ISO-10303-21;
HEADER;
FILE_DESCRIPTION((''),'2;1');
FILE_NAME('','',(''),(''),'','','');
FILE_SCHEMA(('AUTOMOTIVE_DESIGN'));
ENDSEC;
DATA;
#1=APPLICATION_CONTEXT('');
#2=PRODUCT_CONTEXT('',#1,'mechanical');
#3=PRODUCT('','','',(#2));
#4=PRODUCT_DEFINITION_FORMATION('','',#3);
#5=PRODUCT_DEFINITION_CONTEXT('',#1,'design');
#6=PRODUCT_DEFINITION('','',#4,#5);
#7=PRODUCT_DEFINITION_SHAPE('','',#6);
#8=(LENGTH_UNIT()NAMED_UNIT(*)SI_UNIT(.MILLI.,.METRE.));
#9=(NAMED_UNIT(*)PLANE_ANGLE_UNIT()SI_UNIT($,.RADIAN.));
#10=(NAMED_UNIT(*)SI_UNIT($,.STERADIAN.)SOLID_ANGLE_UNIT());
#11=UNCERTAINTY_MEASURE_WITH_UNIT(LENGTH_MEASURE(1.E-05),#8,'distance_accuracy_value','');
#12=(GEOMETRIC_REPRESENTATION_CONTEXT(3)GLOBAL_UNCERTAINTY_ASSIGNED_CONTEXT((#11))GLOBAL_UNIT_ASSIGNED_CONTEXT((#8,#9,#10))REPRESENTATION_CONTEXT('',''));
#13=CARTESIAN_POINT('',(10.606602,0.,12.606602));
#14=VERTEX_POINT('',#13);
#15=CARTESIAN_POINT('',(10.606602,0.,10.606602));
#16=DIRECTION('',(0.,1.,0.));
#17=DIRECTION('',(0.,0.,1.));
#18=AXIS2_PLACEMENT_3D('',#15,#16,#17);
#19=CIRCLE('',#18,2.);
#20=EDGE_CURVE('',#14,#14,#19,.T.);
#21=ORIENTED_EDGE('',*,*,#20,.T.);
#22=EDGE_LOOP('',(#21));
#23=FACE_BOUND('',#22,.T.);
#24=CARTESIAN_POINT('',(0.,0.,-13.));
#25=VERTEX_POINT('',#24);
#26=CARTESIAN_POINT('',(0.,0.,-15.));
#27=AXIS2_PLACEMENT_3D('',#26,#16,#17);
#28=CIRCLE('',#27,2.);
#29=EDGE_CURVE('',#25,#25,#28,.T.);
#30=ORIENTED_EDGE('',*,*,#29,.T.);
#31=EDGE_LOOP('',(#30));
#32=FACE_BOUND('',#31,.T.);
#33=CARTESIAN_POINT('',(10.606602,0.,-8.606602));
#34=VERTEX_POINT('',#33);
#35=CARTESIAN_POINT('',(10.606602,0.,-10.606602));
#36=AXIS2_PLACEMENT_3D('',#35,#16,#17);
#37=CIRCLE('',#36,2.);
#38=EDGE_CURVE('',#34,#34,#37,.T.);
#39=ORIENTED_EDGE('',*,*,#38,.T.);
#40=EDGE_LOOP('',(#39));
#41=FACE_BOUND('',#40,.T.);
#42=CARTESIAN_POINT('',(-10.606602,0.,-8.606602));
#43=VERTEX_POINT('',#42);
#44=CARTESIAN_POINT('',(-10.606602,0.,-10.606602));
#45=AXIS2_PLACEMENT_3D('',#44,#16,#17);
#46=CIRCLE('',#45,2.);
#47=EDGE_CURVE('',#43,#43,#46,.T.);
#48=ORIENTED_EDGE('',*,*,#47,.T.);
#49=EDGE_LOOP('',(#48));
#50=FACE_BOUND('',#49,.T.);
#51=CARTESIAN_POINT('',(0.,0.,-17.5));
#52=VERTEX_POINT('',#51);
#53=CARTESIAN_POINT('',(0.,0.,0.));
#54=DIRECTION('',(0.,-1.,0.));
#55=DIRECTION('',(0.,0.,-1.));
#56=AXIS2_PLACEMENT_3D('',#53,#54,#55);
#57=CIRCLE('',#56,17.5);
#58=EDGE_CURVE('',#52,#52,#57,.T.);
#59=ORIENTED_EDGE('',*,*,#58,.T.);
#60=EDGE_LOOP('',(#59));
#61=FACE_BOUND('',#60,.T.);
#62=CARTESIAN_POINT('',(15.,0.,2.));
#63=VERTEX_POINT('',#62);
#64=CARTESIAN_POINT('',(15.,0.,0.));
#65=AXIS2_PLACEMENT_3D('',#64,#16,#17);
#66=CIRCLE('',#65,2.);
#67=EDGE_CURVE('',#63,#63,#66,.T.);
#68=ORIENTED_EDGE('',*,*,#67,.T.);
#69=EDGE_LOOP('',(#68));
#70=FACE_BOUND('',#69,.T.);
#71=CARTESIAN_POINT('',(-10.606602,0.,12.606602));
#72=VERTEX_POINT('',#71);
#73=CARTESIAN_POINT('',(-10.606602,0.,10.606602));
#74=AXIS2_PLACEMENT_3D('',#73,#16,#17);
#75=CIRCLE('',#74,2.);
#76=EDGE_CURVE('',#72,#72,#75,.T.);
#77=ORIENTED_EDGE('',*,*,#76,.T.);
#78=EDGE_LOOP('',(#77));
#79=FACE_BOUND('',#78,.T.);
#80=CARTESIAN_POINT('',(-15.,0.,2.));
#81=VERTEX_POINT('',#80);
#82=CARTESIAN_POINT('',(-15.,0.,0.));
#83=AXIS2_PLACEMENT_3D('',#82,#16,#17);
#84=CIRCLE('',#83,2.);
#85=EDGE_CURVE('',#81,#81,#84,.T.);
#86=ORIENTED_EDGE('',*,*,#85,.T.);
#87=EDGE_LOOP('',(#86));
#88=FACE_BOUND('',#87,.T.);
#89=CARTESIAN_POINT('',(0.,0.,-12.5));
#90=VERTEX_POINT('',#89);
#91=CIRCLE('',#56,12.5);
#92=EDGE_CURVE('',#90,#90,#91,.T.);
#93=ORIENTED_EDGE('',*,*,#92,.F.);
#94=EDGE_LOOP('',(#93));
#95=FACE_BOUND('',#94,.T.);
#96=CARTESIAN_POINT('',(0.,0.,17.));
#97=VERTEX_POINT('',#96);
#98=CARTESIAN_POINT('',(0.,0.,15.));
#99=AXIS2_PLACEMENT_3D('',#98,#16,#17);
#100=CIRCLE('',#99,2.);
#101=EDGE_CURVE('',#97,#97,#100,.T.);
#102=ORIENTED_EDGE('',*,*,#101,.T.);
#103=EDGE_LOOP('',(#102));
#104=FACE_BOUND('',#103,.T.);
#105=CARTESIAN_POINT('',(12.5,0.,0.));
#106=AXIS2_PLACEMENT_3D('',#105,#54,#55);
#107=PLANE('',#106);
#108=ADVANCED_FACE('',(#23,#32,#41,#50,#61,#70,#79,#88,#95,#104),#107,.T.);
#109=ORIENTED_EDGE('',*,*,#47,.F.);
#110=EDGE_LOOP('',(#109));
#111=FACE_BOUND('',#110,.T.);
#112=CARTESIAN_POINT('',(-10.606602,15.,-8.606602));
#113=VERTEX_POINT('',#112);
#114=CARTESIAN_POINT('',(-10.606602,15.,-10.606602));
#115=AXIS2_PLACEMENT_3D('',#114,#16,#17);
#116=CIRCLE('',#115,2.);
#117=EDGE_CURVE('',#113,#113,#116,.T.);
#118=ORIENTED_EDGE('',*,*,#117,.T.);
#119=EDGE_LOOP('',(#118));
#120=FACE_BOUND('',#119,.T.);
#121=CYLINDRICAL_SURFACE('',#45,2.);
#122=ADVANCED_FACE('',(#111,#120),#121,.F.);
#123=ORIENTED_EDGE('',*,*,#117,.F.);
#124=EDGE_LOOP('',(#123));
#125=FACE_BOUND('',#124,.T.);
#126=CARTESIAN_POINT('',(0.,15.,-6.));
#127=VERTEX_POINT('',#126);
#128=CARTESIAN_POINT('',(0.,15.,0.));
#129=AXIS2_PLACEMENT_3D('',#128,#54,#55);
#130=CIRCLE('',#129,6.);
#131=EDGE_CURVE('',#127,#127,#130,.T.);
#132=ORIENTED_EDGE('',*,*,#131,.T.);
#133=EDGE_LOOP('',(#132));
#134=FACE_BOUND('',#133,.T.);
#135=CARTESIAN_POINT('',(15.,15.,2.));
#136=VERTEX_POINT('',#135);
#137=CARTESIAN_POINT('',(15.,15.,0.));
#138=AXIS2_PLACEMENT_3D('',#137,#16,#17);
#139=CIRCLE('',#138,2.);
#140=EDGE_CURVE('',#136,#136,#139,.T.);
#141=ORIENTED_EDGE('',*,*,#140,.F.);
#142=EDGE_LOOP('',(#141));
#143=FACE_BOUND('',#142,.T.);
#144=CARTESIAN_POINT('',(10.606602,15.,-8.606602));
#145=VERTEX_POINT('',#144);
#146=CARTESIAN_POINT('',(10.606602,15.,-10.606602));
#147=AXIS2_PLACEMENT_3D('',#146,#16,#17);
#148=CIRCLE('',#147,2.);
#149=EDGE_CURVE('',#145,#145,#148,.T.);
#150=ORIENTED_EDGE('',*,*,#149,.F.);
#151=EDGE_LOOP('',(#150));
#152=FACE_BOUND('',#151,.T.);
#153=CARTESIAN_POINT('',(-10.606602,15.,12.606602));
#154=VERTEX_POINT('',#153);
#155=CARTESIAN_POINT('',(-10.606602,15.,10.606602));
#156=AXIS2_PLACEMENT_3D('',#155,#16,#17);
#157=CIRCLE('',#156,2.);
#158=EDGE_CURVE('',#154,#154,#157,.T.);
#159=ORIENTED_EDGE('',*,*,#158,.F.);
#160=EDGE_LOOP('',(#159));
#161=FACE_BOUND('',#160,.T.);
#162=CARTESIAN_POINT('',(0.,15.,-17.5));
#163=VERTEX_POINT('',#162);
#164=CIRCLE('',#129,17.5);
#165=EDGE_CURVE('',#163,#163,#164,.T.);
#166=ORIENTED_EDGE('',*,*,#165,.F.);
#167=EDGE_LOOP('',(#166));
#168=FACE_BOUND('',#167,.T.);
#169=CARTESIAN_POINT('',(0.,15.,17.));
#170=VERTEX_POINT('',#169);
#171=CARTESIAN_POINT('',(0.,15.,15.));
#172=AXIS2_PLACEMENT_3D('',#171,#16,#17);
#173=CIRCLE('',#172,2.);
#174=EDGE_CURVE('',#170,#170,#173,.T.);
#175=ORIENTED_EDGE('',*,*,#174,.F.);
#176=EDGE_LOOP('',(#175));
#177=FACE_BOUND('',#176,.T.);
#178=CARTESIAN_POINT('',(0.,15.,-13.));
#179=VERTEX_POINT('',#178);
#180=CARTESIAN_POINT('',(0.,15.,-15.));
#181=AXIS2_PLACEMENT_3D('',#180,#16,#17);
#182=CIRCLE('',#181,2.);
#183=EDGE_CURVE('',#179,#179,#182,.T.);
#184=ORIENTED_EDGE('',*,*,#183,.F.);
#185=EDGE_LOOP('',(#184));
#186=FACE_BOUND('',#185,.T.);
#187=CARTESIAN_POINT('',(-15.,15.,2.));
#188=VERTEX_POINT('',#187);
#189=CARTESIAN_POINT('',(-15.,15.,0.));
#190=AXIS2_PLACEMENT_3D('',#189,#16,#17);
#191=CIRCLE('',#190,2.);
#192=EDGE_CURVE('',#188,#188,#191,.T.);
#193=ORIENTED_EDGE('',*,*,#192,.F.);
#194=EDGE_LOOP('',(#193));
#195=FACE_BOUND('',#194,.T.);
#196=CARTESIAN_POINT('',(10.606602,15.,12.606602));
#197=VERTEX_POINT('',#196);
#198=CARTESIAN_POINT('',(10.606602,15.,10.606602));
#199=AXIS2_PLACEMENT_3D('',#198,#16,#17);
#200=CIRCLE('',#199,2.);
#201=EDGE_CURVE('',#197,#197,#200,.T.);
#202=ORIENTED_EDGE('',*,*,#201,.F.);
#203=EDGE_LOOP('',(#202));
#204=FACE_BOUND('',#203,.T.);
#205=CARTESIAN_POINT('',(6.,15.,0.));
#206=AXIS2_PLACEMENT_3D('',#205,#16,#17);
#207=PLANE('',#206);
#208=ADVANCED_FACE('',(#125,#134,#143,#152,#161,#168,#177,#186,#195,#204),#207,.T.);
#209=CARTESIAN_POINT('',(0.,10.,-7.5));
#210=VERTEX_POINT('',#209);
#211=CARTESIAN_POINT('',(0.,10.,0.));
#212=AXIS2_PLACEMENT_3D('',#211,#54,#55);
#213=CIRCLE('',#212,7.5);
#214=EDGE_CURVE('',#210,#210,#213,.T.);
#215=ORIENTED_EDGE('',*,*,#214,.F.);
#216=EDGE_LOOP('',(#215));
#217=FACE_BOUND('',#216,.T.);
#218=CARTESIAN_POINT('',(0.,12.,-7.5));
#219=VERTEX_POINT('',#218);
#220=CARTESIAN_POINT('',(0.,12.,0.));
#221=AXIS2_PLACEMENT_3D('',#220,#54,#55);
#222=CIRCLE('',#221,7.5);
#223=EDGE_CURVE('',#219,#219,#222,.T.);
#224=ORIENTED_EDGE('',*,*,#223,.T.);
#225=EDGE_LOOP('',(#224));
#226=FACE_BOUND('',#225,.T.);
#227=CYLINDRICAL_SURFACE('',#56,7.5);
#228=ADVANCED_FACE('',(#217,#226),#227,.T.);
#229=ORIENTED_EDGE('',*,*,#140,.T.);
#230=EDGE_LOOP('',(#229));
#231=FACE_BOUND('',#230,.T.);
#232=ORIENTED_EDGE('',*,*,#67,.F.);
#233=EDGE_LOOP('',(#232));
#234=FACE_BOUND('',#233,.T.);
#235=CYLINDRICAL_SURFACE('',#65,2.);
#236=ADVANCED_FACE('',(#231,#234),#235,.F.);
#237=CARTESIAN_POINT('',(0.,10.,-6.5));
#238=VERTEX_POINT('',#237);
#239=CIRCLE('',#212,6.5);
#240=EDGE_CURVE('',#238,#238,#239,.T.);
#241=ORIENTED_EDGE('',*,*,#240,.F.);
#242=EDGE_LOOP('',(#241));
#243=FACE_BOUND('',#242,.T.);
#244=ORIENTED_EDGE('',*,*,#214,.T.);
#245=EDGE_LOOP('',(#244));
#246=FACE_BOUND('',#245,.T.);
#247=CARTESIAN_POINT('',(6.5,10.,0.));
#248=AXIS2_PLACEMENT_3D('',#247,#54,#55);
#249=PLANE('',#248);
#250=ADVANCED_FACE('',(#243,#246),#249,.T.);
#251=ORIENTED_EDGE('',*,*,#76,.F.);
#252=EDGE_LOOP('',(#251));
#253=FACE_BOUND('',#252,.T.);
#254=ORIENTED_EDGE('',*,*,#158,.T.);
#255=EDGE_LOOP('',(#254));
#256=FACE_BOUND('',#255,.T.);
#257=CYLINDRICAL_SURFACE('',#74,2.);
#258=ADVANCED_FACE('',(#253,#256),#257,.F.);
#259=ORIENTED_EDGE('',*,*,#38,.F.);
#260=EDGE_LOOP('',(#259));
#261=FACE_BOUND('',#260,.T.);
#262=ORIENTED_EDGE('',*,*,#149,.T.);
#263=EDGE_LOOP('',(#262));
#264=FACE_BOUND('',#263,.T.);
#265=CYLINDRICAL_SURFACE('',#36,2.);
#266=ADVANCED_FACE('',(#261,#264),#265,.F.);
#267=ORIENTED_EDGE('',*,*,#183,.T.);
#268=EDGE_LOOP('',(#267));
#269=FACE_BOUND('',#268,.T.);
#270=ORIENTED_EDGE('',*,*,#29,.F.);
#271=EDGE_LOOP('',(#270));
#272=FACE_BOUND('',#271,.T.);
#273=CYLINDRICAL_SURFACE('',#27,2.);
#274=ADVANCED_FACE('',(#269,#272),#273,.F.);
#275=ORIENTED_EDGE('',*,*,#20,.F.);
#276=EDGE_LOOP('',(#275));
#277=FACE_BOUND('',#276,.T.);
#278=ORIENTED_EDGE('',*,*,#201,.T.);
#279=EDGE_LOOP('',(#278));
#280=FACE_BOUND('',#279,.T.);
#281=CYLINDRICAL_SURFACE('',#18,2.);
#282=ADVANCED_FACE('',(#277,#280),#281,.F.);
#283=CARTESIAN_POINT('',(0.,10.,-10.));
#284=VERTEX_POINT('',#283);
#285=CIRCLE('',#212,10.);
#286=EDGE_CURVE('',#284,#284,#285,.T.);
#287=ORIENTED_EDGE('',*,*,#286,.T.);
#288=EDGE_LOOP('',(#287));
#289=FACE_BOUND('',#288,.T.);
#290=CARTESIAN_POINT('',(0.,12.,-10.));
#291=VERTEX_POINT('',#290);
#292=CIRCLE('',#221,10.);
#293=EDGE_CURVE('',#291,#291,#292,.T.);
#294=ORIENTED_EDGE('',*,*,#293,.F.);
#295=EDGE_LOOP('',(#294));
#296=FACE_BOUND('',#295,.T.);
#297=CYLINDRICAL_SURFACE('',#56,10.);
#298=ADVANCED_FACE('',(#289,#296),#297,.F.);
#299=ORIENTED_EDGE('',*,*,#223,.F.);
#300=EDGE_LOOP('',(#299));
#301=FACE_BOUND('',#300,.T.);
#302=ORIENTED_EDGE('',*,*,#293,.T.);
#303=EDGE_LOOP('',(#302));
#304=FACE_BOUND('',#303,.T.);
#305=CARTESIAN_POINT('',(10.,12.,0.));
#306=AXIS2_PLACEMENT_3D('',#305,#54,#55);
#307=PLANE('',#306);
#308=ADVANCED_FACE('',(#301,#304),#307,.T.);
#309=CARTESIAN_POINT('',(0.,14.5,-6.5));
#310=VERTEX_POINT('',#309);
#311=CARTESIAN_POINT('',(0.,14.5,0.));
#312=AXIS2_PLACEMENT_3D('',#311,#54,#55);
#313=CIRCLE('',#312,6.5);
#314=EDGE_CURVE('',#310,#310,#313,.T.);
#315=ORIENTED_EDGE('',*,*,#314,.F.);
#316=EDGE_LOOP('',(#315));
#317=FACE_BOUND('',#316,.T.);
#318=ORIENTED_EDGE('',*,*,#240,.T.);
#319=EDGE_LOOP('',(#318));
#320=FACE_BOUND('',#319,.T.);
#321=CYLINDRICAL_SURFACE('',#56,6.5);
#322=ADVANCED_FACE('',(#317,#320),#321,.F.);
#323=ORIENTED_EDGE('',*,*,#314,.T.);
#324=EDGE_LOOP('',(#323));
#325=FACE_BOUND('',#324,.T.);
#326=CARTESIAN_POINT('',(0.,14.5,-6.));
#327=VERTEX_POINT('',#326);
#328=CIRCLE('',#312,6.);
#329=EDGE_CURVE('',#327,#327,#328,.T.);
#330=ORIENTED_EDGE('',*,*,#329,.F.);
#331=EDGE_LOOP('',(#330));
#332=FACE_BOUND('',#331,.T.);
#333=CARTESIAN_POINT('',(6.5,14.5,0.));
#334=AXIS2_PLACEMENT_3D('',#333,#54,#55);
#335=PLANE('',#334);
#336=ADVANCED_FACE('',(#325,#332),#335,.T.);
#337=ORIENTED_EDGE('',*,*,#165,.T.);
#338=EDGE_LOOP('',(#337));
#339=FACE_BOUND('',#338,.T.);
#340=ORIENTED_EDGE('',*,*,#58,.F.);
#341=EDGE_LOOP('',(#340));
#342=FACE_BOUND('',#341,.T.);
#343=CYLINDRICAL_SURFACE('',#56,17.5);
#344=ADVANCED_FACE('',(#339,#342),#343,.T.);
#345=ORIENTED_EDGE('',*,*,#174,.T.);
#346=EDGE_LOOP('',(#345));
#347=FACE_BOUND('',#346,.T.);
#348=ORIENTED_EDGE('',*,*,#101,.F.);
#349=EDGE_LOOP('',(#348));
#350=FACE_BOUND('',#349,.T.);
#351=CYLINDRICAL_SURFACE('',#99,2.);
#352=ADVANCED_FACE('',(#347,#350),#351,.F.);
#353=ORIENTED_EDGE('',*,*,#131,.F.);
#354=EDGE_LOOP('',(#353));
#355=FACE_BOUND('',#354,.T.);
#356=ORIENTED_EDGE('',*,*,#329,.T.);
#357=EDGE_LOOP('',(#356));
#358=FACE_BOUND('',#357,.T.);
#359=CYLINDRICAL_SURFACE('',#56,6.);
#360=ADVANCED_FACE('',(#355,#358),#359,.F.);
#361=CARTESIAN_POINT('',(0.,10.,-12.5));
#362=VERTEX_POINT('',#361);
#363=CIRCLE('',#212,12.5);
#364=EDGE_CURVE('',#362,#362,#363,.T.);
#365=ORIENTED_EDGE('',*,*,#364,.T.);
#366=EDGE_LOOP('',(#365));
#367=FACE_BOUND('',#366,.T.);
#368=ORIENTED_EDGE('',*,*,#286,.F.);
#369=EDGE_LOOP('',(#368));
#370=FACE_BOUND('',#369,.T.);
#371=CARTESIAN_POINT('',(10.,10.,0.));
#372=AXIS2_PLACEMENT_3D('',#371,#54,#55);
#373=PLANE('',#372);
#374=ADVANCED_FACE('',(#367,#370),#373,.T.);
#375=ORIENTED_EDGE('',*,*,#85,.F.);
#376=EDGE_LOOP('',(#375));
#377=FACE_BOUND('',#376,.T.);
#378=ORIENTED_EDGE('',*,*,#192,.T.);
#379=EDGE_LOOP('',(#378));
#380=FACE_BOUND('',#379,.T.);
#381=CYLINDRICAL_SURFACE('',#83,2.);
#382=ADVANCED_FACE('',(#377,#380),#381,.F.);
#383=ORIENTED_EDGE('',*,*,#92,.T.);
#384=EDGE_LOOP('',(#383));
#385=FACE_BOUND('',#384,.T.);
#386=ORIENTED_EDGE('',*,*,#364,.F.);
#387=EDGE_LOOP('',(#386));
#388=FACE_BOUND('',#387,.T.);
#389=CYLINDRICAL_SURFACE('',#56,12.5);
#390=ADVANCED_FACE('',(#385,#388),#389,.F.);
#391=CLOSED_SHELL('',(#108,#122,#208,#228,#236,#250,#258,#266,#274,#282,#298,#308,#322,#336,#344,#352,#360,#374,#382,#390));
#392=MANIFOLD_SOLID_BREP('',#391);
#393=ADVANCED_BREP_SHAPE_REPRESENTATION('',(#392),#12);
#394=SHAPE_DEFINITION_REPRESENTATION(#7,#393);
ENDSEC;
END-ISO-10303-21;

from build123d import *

# Parameters (mm, degrees)
SKETCH2_R          = 2
CUT_EXTRUDE1_DEPTH = 29.939592257


with BuildPart() as part:
    # Sketch1 → Revolve1 (revolve)
    with BuildSketch(Plane.XY, mode=Mode.PRIVATE) as revolve1_sk:
        Polygon((12.5, 0), (17.5, 0), (17.5, 15), (6, 15), (6, 14.5), (6.5, 14.5), (6.5, 10), (7.5, 10), (7.5, 12), (10, 12), (10, 10), (12.5, 10), align=None)
    revolve(revolve1_sk.sketch.rotate(Axis((0, 0, 0), (0, 1, 0)), 90), axis=Axis((0, 0, 0), (0, 1, 0)))

    # Sketch2 → Cut-Extrude1 (cut, through all)
    with BuildSketch(Plane(origin=(0, 15, 0), x_dir=(1, 0, 0), z_dir=(0, 1, 0))):
        with Locations(Location((15, 0, 0), (0, 0, 270))):
            Circle(SKETCH2_R)
        with Locations(Location((10.606601718, -10.606601718, 0), (0, 0, 270))):
            Circle(SKETCH2_R)
        with Locations(Location((0, -15, 0), (0, 0, 270))):
            Circle(SKETCH2_R)
        with Locations(Location((-10.606601718, -10.606601718, 0), (0, 0, 270))):
            Circle(SKETCH2_R)
        with Locations(Location((-15, 0, 0), (0, 0, 270))):
            Circle(SKETCH2_R)
        with Locations(Location((-10.606601718, 10.606601718, 0), (0, 0, 270))):
            Circle(SKETCH2_R)
        with Locations(Location((0, 15, 0), (0, 0, 270))):
            Circle(SKETCH2_R)
        with Locations(Location((10.606601718, 10.606601718, 0), (0, 0, 270))):
            Circle(SKETCH2_R)
    extrude(amount=-CUT_EXTRUDE1_DEPTH, mode=Mode.SUBTRACT)


solid = part.part
